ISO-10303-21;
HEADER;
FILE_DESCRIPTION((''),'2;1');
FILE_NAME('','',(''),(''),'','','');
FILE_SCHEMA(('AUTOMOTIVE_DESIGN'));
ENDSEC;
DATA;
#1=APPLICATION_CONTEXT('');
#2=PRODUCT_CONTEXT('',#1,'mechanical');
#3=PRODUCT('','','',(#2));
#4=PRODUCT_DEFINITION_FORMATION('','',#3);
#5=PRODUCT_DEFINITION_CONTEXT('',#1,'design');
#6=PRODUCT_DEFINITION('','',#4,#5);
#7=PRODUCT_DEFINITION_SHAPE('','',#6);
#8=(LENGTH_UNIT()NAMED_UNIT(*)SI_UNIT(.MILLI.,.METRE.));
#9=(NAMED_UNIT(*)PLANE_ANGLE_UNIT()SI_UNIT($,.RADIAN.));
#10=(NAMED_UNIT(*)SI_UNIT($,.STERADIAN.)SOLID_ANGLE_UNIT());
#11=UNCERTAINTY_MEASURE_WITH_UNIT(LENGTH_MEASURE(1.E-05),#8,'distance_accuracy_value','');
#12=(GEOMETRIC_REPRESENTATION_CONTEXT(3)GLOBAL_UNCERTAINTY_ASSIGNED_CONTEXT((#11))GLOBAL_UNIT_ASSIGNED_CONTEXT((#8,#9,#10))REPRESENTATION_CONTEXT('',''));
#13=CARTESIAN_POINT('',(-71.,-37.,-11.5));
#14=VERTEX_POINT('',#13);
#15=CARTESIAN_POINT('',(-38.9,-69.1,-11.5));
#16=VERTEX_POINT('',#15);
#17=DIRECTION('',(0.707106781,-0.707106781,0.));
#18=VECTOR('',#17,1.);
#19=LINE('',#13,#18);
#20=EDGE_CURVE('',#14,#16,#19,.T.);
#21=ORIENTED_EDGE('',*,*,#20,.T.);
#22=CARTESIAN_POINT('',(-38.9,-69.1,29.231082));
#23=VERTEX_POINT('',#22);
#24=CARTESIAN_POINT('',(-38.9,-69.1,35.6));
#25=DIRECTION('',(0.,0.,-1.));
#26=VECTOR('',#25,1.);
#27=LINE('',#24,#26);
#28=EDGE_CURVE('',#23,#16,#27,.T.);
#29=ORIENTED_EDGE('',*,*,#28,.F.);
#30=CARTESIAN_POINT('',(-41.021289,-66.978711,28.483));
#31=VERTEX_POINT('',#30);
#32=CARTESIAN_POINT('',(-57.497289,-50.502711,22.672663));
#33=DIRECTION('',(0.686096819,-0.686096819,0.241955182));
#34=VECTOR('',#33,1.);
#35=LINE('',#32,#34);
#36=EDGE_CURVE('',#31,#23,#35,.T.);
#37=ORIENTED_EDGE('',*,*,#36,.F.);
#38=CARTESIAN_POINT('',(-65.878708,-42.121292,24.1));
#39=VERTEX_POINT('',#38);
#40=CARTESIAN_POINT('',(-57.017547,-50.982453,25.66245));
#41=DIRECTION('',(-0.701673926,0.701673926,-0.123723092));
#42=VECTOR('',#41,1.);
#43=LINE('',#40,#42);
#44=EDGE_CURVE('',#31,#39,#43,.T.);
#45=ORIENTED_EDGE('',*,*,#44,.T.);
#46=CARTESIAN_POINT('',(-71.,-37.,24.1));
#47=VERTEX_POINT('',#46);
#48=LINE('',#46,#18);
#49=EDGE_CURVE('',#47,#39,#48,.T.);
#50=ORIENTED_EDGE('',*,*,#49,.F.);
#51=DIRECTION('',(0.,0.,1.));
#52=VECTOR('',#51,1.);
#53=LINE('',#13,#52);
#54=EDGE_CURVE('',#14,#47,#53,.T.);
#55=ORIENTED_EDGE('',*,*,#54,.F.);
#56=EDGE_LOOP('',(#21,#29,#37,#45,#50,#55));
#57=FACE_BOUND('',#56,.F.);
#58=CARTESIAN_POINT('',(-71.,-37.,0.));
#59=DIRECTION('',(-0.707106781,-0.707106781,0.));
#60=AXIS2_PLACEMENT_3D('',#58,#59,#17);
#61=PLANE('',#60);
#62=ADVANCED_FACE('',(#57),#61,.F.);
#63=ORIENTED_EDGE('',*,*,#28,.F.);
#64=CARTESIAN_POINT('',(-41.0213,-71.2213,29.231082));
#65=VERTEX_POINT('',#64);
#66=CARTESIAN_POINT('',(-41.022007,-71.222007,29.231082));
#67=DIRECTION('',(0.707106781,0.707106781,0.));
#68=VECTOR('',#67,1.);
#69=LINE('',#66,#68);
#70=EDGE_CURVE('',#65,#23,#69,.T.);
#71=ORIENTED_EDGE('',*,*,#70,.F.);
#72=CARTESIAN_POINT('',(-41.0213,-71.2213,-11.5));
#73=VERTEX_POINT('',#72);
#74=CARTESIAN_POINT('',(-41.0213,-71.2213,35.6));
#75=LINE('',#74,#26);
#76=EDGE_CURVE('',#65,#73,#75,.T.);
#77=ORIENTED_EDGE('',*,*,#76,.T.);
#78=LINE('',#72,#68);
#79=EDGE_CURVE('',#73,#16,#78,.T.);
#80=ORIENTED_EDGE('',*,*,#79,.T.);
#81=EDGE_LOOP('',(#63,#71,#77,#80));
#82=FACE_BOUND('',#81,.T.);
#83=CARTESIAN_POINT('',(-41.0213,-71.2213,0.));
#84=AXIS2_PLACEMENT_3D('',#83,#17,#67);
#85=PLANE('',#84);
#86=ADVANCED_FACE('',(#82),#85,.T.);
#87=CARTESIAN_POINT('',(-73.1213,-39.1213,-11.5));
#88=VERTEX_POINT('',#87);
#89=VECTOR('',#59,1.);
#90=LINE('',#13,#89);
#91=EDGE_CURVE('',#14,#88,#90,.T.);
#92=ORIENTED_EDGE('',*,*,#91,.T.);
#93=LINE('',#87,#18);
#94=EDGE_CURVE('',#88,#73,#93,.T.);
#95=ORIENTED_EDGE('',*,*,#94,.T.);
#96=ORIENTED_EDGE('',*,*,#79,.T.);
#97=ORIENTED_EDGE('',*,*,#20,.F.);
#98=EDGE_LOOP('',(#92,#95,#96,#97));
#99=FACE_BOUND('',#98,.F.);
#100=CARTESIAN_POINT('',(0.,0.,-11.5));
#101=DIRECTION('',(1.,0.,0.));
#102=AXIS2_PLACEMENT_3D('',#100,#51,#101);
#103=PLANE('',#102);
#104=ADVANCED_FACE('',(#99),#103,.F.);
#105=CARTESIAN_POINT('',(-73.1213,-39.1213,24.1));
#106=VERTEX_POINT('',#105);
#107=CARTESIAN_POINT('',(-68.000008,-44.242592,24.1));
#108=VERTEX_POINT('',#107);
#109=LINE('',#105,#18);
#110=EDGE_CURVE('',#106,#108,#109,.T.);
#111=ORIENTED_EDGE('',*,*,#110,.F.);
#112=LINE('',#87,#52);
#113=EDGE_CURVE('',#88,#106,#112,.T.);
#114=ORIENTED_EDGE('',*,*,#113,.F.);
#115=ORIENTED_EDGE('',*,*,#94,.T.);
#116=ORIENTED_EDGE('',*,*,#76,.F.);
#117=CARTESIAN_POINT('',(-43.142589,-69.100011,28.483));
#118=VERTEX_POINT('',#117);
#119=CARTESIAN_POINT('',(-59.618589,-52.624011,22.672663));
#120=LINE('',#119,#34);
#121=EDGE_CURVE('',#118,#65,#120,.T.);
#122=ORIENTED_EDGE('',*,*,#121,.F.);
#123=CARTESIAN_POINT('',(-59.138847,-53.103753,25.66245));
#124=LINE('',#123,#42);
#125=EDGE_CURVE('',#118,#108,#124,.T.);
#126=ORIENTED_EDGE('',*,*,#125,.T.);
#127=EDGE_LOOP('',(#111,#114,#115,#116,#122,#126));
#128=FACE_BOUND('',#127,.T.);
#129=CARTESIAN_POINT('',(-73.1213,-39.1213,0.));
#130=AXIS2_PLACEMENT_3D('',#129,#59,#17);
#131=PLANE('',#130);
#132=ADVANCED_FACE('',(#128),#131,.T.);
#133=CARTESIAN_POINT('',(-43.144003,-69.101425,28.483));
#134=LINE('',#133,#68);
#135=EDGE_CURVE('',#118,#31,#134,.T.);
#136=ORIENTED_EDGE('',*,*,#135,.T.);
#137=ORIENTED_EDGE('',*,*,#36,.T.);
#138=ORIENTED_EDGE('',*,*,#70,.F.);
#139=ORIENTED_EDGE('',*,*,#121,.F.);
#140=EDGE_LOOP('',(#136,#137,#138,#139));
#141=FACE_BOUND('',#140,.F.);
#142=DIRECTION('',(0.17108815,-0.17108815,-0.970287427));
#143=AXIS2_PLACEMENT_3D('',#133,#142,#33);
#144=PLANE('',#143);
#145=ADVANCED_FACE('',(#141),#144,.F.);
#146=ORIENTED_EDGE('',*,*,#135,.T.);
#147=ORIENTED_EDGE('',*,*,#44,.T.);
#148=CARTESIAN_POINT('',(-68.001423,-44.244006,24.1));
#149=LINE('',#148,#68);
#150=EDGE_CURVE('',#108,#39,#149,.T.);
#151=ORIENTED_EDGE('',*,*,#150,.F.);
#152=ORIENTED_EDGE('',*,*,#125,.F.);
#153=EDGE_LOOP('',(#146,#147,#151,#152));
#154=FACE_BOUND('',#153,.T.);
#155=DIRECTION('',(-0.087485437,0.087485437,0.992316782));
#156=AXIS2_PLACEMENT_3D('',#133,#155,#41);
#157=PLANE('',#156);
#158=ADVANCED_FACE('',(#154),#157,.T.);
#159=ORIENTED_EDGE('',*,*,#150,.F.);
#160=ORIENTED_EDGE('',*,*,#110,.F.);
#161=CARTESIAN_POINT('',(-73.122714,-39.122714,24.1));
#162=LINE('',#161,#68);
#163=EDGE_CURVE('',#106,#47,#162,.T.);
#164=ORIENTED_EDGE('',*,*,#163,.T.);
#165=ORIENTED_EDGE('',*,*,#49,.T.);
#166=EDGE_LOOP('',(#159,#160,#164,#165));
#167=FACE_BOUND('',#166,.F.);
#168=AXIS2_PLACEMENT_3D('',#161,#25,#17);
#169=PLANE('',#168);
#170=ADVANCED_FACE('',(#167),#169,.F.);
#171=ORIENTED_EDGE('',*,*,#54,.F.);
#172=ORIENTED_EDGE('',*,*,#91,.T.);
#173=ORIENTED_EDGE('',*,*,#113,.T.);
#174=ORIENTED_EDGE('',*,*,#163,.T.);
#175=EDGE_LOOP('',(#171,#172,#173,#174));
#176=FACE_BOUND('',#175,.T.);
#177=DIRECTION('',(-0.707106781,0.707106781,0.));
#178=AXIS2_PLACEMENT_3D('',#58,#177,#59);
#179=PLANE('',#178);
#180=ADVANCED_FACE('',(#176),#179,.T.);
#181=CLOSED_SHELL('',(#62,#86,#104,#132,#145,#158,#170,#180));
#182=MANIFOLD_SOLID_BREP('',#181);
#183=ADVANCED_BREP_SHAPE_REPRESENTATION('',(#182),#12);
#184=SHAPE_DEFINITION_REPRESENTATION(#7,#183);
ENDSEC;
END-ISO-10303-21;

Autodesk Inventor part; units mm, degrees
ref_plane "YZ Plane" through (0, 0, 0) normal (1, 0, 0) x (0, 1, 0)
ref_plane "XZ Plane" through (0, 0, 0) normal (0, 1, 0) x (-1, 0, 0)
ref_plane "XY Plane" through (0, 0, 0) normal (0, 0, 1) x (1, 0, 0)
sketch "Esboço1" plane through (0, 0, 0) normal (0, 0, 1) x (1, 0, 0)
  line L0 (-71, -40) -> (-71, -37)
  line L1 (-71, -37) -> (-38.1386, -69.8614)
  line L2 (14.6, -69.1) -> (-41.9, -69.1) projected
  line L3 (-38.9, -69.1) -> (-71, -37)
  line L4 (-71, -37) -> (-73.1213, -39.1213)
  line L5 (-73.1213, -39.1213) -> (-41.0213, -71.2213)
  line L6 (-41.0213, -71.2213) -> (-38.9, -69.1)
  point P0 (0, 0)
  dimension "d0" = 3
  dimension "d1" = 45
  dimension "d2" = 3
extrude "Extrusão1" add sketch "Esboço1" against normal blind 11.5
sketch "Esboço3" plane through (0, 0, 0) normal (0, 0, 1) x (1, 0, 0)
  line L0 (-38.9, -69.1) -> (-41.0213, -71.2213) projected
  line L1 (-38.9, -69.1) -> (-71, -37)
  line L2 (-71, -37) -> (-73.1213, -39.1213)
  line L3 (-73.1213, -39.1213) -> (-41.0213, -71.2213)
  line L4 (-41.0213, -71.2213) -> (-38.9, -69.1)
  point P0 (0, 0)
extrude "Extrusão2" add sketch "Esboço3" along normal blind 35.6
sketch "Esboço6" plane through (-73.1213, -39.1213, 35.6) normal (-0.7071, -0.7071, 0) x (-0.7071, 0.7071, 0)
  line L0 (-42.3963, 7.117) -> (-7.2426, 11.5) projected
  line L1 (55.3259, 11.5) -> (-7.2426, 11.5) projected
  line L2 (-42.3963, 7.117) -> (-83.2265, -3.0646) projected
  line L3 (-45.3963, 0) -> (0, 0) projected
  line L4 (-45.3963, 47.1) -> (-45.3963, 0) projected
  line L5 (0, 0) -> (-45.3963, 0)
  line L6 (-45.3963, 0) -> (-45.3963, 14)
  line L7 (-45.3963, 14) -> (0, 14)
  line L8 (0, 14) -> (0, 0)
  point P0 (-24.0416, 35.6)
  point P1 (-45.3963, 6.3689)
  point P2 (0, 11.5)
extrude "Extrusão3" cut sketch "Esboço6" against normal blind 19 contours L0 L1 L8 L3 L4 L2
properties part number "diagonal"
